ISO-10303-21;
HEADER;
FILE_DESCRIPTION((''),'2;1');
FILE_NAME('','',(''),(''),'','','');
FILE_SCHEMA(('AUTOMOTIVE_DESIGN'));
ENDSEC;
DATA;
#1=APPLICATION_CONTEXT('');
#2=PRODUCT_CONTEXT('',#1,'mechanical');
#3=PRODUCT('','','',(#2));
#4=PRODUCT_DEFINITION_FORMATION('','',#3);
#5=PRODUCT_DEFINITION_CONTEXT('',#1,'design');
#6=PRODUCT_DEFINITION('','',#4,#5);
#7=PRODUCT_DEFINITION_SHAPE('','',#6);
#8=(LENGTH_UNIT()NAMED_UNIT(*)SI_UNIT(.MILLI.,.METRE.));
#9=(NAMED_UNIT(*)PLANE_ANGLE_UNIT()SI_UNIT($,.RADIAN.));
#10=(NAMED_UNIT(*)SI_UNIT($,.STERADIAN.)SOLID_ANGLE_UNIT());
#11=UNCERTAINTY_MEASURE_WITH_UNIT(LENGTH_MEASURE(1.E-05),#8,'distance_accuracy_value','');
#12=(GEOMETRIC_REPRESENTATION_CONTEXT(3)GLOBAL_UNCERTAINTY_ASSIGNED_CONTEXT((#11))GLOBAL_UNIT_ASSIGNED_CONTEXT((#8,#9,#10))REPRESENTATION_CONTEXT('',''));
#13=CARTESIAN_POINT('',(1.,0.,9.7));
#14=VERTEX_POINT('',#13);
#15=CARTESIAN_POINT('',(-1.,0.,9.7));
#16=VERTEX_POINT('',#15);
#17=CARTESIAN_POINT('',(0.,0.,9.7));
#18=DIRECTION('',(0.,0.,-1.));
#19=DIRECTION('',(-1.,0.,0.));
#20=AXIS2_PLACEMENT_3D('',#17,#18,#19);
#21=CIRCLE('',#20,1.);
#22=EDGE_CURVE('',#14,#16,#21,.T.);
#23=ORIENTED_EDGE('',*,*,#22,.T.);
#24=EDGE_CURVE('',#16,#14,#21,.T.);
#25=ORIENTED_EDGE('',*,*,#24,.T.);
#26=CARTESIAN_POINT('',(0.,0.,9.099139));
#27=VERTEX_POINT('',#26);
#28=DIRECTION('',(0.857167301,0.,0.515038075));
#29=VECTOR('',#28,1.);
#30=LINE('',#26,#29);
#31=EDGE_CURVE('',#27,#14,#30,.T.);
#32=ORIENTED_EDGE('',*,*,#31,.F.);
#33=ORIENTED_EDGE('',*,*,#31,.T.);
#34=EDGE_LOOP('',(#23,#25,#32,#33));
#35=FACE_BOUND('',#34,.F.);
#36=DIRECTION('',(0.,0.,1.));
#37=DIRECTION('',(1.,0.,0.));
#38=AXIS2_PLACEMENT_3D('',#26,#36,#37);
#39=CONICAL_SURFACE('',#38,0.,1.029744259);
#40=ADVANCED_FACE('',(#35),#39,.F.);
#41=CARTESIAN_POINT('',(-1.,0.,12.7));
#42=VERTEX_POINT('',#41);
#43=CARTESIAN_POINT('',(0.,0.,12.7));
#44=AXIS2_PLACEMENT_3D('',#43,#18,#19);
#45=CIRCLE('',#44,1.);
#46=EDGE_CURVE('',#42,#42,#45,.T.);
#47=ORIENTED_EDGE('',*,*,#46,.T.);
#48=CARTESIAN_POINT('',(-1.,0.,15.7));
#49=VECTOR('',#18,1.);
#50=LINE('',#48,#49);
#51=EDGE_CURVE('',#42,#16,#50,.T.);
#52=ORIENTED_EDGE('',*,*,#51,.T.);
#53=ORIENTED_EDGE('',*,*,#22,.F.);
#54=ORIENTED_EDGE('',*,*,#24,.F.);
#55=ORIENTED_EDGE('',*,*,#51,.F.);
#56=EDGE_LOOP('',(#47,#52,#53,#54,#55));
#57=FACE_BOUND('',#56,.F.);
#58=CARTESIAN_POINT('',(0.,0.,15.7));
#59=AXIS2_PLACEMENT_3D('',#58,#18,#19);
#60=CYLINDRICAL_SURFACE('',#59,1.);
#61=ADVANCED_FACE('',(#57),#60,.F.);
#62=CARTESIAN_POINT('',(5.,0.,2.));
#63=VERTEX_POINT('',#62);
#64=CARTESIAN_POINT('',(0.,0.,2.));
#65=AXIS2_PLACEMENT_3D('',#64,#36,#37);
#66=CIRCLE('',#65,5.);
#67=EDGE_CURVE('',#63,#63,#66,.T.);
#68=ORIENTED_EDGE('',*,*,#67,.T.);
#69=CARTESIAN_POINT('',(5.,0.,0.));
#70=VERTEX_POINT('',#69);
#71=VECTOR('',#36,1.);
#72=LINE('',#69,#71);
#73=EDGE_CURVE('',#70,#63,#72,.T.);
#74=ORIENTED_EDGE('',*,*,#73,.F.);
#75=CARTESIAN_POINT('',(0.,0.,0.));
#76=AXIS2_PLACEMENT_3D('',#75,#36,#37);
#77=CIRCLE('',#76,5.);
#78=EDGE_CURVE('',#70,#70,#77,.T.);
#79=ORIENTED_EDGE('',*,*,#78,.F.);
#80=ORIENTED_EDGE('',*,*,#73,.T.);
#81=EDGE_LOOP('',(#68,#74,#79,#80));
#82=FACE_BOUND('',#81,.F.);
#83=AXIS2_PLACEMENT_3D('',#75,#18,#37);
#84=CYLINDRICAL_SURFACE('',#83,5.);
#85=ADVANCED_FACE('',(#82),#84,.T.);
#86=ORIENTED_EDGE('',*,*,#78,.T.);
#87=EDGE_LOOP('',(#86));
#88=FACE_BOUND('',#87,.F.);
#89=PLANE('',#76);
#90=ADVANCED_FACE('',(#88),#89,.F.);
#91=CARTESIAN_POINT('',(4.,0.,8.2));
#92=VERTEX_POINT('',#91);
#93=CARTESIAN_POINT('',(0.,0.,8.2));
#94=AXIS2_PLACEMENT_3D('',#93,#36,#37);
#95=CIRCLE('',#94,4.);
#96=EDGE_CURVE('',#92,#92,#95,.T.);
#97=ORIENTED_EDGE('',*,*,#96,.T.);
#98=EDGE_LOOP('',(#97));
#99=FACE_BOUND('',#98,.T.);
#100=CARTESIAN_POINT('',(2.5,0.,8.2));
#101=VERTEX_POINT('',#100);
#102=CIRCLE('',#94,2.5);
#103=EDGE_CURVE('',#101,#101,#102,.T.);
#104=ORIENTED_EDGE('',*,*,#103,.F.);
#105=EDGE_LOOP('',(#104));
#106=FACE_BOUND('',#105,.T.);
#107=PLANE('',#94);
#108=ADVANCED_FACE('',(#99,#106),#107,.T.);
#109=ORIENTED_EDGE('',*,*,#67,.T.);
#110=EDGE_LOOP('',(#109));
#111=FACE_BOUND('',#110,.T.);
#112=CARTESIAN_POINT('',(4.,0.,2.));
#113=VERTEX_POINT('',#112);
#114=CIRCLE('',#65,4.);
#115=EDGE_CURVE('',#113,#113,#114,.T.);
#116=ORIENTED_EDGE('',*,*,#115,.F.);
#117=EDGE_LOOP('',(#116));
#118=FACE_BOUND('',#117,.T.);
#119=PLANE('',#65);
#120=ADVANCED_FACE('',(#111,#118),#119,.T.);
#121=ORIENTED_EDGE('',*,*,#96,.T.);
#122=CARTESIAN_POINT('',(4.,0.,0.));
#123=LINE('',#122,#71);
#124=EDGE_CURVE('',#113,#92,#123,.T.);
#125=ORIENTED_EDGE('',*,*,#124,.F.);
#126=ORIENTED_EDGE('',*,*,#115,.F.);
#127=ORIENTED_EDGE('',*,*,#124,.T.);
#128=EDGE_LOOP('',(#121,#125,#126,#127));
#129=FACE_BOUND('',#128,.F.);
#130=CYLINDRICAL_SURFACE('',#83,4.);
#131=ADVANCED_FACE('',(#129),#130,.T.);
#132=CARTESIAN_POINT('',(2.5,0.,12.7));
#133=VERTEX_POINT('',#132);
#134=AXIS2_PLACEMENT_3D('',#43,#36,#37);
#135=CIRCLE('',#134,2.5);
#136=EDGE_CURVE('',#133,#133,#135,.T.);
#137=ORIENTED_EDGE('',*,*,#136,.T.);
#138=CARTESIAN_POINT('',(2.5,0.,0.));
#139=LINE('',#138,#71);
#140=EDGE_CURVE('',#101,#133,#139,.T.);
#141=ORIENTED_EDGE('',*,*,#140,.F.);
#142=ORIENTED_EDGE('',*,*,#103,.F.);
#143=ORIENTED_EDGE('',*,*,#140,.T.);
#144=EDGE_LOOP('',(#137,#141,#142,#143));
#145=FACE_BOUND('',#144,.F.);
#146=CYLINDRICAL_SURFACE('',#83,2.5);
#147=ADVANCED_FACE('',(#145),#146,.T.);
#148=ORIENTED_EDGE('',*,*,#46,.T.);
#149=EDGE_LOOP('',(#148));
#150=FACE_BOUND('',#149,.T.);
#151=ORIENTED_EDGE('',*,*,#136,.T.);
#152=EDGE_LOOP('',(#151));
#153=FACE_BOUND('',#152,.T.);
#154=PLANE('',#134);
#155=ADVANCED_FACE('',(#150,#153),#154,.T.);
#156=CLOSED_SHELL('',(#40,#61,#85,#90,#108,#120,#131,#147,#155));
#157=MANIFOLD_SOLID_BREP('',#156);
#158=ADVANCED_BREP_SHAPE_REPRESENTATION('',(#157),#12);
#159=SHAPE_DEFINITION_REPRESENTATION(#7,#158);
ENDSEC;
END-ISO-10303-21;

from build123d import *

# Parameters (mm, degrees)
F0_R     = 2.5
F1_DEPTH = 12.7
F0_R_2   = 4
F2_DEPTH = 8.2
F0_R_3   = 5
F3_DEPTH = 2
F5_D     = 2
F5_DEPTH = 3
F5_TIP   = 0.600860619


with BuildPart() as f1:
    # F0 (on Top) → F1 (new body)
    with BuildSketch(Plane.XY):
        Circle(F0_R)
    extrude(amount=F1_DEPTH)

    # F0 (on Top) → F2 (join)
    with BuildSketch(Plane.XY):
        Circle(F0_R_2)
        Circle(F0_R, mode=Mode.SUBTRACT)
    extrude(amount=F2_DEPTH)

    # F0 (on Top) → F3 (join)
    with BuildSketch(Plane.XY):
        Circle(F0_R_3)
        Circle(F0_R_2, mode=Mode.SUBTRACT)
    extrude(amount=F3_DEPTH)

    # F5
    with Locations(Plane.XY.offset(12.7)):
        with Locations((0, 0)):
            Hole(F5_D / 2, depth=F5_DEPTH)
            with Locations((0, 0, -(F5_DEPTH + F5_TIP / 2))):  # 118° drill point
                Cone(0, F5_D / 2, F5_TIP, mode=Mode.SUBTRACT)


solid = f1.part
